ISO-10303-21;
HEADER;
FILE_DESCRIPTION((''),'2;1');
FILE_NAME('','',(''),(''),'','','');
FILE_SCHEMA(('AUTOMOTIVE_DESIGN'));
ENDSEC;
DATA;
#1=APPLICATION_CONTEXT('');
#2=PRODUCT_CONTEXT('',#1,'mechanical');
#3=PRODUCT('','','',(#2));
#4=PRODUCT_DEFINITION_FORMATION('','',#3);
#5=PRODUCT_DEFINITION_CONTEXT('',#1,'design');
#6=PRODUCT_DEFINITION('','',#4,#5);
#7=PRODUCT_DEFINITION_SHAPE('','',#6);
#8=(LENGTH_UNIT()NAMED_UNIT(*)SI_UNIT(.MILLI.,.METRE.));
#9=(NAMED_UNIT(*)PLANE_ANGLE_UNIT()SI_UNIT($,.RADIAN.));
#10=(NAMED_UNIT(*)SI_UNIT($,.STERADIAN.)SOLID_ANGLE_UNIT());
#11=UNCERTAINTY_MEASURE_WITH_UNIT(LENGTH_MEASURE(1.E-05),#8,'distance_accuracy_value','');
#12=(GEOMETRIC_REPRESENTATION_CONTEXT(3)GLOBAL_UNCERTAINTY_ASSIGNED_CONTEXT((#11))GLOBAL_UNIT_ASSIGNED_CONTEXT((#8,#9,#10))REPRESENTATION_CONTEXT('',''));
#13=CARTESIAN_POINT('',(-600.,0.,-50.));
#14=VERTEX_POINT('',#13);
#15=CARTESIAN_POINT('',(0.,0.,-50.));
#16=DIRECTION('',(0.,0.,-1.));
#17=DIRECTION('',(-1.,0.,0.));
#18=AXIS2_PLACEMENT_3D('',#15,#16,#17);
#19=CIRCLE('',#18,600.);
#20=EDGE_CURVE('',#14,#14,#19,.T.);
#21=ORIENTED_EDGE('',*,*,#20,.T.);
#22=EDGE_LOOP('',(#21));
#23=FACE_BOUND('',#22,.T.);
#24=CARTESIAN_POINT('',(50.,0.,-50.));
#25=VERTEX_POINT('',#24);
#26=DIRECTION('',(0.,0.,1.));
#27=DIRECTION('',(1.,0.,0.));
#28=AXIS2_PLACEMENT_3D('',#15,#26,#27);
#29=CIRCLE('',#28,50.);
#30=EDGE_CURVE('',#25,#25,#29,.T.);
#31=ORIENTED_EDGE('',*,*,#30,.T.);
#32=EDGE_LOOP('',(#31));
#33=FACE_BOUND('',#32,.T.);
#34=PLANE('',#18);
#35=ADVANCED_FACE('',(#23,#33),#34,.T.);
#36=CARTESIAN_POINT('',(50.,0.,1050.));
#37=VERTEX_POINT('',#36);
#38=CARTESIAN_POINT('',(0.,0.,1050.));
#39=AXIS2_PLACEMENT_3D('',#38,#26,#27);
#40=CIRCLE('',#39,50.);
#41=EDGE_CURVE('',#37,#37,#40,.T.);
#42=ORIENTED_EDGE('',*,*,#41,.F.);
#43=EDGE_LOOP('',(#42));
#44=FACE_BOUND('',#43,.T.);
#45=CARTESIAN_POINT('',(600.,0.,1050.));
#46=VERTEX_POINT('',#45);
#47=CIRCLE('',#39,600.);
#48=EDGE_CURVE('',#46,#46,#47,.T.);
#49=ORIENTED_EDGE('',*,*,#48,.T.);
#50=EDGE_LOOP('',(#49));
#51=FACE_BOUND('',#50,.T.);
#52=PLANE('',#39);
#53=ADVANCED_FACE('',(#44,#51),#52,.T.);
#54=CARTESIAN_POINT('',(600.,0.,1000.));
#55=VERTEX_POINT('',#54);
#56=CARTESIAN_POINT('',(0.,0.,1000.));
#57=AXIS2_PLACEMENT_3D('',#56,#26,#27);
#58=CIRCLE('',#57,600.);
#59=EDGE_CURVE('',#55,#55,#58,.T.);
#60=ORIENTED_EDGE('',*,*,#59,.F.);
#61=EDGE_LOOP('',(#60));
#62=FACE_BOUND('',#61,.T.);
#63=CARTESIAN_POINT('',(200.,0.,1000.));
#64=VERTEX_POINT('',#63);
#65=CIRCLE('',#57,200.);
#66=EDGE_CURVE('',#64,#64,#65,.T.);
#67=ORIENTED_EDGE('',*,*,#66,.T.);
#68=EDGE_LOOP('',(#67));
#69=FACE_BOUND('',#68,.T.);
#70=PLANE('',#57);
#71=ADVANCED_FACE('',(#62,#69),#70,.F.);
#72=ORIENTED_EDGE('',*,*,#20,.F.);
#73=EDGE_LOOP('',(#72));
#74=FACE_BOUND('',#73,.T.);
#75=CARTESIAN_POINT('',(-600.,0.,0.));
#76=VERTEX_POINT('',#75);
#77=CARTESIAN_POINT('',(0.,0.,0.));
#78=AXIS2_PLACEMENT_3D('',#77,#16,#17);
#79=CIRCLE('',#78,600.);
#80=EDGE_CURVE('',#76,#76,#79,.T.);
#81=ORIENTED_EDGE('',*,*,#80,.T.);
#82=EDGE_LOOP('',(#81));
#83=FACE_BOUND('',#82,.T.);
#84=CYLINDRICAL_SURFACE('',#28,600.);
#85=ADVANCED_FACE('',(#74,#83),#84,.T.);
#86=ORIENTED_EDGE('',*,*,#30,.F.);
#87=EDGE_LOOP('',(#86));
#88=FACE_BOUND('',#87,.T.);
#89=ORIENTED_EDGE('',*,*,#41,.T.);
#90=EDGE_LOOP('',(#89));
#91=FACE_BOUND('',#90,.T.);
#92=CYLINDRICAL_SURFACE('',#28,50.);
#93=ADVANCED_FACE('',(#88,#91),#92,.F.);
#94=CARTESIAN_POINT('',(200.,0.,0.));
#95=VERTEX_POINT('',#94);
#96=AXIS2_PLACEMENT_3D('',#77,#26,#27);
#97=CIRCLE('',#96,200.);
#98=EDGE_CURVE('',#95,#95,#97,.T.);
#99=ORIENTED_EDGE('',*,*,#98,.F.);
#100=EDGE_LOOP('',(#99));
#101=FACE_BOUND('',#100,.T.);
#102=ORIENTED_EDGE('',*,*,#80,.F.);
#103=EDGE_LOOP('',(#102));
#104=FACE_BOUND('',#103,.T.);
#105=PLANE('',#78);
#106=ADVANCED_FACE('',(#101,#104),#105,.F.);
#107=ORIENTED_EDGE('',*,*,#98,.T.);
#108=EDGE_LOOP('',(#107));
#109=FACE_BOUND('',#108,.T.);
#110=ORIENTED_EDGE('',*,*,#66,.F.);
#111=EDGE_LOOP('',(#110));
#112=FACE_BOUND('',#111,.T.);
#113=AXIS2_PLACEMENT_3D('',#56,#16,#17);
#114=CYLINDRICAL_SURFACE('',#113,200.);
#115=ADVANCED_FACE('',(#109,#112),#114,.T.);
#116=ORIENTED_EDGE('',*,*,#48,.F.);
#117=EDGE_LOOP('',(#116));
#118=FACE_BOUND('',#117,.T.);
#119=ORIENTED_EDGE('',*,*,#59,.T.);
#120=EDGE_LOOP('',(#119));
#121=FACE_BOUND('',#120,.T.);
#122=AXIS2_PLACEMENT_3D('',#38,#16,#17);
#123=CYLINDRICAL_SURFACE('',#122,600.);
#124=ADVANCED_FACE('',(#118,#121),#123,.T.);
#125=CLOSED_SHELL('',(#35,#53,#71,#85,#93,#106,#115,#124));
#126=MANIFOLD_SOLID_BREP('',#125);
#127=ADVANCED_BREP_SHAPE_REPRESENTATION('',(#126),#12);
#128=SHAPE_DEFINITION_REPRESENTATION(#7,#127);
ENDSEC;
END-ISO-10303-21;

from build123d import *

# Parameters (mm, degrees)
SKETCH2_R           = 200
BOSS_EXTRUDE1_DEPTH = 1000
SKETCH3_R           = 600
BOSS_EXTRUDE2_DEPTH = 50
BOSS_EXTRUDE3_START = 50
SKETCH4_R           = 600
BOSS_EXTRUDE3_DEPTH = 50
SKETCH5_R           = 50
CUT_EXTRUDE1_DEPTH  = 1390.244398945


with BuildPart() as part:
    # Sketch2 → Boss-Extrude1 (new body)
    with BuildSketch(Plane.XY):
        Circle(SKETCH2_R)
    extrude(amount=BOSS_EXTRUDE1_DEPTH)

    # Sketch3 → Boss-Extrude2 (add)
    with BuildSketch(Plane.XY.offset(1000)):
        Circle(SKETCH3_R)
    extrude(amount=BOSS_EXTRUDE2_DEPTH)

    # Sketch4 → Boss-Extrude3 (add)
    with BuildSketch(Plane(origin=(0, 0, 0), x_dir=(-1, 0, 0), z_dir=(0, 0, -1)).offset(BOSS_EXTRUDE3_START)):
        with Locations(Location((0, 0, 0), (0, 0, 180))):
            Circle(SKETCH4_R)
    extrude(amount=-BOSS_EXTRUDE3_DEPTH)

    # Sketch5 → Cut-Extrude1 (cut, through all)
    with BuildSketch(Plane.XY.offset(1050)):
        Circle(SKETCH5_R)
    extrude(amount=-CUT_EXTRUDE1_DEPTH, mode=Mode.SUBTRACT)


solid = part.part
